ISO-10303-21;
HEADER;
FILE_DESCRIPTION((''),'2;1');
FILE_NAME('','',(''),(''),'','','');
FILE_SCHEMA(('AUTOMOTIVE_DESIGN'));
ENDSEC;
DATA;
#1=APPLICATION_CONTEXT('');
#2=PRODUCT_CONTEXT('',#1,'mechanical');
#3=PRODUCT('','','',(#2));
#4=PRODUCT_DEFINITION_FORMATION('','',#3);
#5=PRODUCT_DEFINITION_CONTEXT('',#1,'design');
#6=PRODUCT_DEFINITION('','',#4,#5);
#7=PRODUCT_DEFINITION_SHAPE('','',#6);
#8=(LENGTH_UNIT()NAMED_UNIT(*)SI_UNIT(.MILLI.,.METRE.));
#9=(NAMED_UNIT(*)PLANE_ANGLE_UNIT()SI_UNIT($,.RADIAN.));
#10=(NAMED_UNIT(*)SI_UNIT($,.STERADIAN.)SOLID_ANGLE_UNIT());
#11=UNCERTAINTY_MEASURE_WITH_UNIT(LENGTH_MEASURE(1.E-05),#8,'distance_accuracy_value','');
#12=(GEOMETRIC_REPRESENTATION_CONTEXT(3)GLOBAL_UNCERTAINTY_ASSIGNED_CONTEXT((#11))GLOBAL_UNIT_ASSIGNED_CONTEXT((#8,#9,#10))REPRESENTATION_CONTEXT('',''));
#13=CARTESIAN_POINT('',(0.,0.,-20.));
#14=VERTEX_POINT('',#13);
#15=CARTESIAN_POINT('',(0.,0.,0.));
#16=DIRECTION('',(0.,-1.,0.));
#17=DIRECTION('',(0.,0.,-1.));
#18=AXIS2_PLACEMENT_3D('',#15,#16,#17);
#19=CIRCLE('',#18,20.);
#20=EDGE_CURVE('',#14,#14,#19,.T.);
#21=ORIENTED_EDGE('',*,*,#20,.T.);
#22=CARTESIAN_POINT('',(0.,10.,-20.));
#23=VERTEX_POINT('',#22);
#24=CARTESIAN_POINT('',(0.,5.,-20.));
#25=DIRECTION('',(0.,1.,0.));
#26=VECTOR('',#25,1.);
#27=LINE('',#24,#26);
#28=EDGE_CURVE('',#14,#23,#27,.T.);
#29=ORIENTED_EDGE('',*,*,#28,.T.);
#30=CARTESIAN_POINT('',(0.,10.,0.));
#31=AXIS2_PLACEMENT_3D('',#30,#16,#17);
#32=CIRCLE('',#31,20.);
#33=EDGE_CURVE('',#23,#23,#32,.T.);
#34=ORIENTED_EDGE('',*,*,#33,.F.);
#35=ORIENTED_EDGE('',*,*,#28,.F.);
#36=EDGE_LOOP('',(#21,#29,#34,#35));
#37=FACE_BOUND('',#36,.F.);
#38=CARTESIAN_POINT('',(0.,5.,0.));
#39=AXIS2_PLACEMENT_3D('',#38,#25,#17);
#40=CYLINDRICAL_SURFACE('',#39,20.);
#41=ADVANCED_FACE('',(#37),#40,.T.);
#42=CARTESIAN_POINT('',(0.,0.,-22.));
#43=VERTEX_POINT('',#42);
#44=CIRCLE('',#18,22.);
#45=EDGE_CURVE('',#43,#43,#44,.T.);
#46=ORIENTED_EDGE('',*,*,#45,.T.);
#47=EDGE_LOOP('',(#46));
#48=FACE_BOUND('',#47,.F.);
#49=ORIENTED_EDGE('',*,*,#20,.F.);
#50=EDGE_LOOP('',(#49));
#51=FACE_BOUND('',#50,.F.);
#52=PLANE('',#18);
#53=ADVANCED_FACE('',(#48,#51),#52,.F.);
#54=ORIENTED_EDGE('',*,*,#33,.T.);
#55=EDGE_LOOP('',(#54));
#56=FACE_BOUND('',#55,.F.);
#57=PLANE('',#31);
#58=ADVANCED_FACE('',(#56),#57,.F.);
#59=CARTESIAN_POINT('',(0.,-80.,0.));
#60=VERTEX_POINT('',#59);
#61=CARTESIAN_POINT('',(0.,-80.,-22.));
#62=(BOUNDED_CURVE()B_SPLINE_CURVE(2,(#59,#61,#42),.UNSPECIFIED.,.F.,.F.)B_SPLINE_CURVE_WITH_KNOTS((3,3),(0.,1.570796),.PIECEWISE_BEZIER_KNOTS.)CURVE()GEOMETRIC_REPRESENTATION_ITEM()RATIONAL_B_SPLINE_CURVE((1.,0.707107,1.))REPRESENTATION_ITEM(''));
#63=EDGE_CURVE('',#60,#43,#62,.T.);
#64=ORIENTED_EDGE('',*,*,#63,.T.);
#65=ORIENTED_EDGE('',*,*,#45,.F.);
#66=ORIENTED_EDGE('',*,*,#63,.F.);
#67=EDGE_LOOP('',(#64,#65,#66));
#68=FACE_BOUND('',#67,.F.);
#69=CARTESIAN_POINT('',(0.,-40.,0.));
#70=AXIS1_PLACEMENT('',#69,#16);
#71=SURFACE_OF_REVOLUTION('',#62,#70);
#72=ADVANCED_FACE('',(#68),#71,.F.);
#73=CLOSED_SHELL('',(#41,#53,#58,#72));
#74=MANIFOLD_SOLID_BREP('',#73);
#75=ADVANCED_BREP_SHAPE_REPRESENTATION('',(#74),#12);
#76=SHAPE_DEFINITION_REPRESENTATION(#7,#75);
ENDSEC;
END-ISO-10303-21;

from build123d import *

# Parameters (mm, degrees)
F0_W = 10
F0_H = 20


with BuildPart() as f1:
    # F0 (on Right) → F1 (revolve)
    with BuildSketch(Plane.YZ):
        with BuildLine():
            Line((0, -20), (0, 0))
            Line((0, 0), (-80, 0))
            add(Edge.make_bspline(
                [(-80, 0), (-80, -22), (0, -22)],
                knots=[0, 0, 0, 1.570796, 1.570796, 1.570796], degree=2, weights=[1, 0.707107, 1]))
            Line((0, -22), (0, -20))
        make_face()
        with Locations((5, -10)):
            Rectangle(F0_W, F0_H)
    revolve(axis=Axis((0, -40, 0), (0, -1, 0)))


solid = f1.part
